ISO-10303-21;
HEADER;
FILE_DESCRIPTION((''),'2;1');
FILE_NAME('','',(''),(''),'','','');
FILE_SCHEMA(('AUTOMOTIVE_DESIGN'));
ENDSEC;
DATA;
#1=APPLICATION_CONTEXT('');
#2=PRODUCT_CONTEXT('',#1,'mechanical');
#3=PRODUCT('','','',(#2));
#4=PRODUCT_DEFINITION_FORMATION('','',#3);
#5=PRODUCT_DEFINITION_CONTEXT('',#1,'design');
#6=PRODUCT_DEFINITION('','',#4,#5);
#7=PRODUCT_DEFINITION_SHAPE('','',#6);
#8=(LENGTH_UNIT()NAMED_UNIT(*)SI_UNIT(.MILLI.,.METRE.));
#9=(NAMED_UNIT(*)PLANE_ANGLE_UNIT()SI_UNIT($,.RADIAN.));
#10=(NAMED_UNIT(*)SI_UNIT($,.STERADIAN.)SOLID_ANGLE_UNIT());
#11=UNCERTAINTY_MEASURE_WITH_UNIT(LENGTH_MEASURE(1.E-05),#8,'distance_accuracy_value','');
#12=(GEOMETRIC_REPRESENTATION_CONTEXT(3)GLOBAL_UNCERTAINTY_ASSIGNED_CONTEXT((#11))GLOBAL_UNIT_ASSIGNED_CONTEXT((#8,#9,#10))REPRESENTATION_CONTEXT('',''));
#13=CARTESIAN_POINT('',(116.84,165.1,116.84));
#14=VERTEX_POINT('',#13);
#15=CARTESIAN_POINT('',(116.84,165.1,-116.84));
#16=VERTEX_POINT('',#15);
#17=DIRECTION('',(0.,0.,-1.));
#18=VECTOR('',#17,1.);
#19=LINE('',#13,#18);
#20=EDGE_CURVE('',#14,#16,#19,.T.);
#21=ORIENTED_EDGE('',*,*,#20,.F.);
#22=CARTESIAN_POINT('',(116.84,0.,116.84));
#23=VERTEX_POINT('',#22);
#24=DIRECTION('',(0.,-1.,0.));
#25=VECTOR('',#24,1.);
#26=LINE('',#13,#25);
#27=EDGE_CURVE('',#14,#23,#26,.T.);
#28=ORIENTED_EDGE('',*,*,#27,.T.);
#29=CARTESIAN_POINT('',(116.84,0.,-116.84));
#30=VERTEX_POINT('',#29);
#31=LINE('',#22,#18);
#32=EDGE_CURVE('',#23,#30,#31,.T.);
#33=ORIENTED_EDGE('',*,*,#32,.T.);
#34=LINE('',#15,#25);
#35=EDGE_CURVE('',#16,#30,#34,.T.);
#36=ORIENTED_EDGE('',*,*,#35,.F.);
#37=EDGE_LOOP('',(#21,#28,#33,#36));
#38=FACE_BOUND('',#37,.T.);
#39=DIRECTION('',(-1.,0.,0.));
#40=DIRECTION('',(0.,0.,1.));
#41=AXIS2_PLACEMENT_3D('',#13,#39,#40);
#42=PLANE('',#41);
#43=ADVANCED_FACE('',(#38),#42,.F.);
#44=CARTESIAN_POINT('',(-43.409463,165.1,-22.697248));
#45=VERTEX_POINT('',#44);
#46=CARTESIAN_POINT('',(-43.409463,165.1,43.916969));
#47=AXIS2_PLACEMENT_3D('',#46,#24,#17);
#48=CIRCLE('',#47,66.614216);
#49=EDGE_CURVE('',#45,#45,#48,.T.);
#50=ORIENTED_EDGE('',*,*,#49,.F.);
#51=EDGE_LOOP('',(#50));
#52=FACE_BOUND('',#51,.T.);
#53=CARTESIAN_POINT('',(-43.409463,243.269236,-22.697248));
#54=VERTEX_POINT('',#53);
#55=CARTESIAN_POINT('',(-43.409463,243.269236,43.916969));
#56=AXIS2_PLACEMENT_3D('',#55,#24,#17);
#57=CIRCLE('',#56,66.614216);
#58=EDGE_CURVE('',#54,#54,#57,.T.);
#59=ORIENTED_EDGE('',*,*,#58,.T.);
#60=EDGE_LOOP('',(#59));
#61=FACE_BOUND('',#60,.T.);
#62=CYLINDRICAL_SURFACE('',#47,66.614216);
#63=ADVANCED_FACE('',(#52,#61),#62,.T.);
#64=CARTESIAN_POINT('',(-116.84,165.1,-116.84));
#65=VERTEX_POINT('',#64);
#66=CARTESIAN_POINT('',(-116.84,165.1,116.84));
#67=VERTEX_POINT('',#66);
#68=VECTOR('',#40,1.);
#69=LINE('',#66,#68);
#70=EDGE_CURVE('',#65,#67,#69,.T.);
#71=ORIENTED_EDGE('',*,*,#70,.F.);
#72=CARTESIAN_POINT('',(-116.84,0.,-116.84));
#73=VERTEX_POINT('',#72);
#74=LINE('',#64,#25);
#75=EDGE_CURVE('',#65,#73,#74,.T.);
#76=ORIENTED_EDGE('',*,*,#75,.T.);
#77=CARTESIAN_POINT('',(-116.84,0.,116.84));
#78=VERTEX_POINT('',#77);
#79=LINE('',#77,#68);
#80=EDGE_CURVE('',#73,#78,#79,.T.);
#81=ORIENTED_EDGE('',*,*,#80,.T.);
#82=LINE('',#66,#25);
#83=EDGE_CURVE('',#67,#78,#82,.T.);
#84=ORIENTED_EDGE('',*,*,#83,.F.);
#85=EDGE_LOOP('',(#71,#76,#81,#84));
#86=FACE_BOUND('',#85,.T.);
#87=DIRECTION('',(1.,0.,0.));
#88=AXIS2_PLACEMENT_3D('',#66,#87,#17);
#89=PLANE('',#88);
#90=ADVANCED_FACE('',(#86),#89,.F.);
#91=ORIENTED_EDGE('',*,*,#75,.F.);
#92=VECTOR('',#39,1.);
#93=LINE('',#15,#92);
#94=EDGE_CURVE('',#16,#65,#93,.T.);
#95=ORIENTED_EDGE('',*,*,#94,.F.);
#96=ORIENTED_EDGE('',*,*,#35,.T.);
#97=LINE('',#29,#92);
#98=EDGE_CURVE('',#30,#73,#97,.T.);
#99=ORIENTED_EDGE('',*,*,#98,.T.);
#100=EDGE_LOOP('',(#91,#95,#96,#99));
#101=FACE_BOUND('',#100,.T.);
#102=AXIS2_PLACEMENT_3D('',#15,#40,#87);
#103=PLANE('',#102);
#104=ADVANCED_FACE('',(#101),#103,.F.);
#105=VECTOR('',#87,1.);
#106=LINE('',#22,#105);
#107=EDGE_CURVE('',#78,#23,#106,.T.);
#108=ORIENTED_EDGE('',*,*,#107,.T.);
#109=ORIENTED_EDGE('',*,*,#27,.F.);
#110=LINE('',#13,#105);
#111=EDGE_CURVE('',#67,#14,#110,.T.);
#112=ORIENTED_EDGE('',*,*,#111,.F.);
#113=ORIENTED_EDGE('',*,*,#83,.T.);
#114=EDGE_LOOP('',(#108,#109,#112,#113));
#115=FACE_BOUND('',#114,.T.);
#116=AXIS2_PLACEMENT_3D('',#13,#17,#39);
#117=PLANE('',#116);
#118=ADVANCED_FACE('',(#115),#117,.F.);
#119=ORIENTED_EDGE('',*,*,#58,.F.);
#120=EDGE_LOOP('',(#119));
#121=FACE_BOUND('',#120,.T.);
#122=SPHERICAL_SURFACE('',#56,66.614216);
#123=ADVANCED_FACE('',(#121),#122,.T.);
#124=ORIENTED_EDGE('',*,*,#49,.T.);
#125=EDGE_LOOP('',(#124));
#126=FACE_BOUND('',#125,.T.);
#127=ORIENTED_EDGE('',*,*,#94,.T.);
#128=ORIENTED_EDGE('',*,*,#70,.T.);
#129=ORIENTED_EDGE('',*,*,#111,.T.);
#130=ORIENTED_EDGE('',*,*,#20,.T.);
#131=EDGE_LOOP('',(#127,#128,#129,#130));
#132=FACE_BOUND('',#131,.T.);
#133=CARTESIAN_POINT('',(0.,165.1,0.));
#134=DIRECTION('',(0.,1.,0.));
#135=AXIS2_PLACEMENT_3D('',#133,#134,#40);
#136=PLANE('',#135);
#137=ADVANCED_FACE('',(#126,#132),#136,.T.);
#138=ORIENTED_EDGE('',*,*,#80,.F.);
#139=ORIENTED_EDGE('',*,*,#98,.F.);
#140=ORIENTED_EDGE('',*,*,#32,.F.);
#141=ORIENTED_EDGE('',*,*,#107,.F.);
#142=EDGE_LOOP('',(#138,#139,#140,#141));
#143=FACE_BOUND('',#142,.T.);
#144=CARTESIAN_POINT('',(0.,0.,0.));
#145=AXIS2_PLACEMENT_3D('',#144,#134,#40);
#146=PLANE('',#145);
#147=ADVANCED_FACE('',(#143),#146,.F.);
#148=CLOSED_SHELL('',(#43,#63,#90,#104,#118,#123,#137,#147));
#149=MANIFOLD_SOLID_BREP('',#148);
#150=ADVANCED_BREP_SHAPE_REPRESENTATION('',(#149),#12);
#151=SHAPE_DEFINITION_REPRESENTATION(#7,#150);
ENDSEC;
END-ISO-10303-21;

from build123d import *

# Parameters (mm, degrees)
SKETCH1_W           = 233.68
SKETCH1_H           = 233.68
BOSS_EXTRUDE1_DEPTH = 165.1


with BuildPart() as part:
    # Sketch1 → Boss-Extrude1 (new body)
    with BuildSketch(Plane(origin=(0, 0, 0), x_dir=(1, 0, 0), z_dir=(0, 1, 0))):
        Rectangle(SKETCH1_W, SKETCH1_H)
    extrude(amount=BOSS_EXTRUDE1_DEPTH)

    # Sketch3 → Revolve1 (revolve)
    with BuildSketch(Plane.YZ.offset(-43.40946291)):
        with BuildLine():
            Line((165.1, 43.916968586), (309.883452069, 43.916968586))
            ThreePointArc((309.883452069, 43.916968586), (290.37259982, -3.186395526), (243.269235708, -22.697247775))
            Line((243.269235708, -22.697247775), (165.1, -22.697247775))
            Line((165.1, -22.697247775), (165.1, 43.916968586))
        make_face()
    revolve(axis=Axis((-43.40946291, 165.1, 43.916968586), (0, 1, 0)))


solid = part.part
